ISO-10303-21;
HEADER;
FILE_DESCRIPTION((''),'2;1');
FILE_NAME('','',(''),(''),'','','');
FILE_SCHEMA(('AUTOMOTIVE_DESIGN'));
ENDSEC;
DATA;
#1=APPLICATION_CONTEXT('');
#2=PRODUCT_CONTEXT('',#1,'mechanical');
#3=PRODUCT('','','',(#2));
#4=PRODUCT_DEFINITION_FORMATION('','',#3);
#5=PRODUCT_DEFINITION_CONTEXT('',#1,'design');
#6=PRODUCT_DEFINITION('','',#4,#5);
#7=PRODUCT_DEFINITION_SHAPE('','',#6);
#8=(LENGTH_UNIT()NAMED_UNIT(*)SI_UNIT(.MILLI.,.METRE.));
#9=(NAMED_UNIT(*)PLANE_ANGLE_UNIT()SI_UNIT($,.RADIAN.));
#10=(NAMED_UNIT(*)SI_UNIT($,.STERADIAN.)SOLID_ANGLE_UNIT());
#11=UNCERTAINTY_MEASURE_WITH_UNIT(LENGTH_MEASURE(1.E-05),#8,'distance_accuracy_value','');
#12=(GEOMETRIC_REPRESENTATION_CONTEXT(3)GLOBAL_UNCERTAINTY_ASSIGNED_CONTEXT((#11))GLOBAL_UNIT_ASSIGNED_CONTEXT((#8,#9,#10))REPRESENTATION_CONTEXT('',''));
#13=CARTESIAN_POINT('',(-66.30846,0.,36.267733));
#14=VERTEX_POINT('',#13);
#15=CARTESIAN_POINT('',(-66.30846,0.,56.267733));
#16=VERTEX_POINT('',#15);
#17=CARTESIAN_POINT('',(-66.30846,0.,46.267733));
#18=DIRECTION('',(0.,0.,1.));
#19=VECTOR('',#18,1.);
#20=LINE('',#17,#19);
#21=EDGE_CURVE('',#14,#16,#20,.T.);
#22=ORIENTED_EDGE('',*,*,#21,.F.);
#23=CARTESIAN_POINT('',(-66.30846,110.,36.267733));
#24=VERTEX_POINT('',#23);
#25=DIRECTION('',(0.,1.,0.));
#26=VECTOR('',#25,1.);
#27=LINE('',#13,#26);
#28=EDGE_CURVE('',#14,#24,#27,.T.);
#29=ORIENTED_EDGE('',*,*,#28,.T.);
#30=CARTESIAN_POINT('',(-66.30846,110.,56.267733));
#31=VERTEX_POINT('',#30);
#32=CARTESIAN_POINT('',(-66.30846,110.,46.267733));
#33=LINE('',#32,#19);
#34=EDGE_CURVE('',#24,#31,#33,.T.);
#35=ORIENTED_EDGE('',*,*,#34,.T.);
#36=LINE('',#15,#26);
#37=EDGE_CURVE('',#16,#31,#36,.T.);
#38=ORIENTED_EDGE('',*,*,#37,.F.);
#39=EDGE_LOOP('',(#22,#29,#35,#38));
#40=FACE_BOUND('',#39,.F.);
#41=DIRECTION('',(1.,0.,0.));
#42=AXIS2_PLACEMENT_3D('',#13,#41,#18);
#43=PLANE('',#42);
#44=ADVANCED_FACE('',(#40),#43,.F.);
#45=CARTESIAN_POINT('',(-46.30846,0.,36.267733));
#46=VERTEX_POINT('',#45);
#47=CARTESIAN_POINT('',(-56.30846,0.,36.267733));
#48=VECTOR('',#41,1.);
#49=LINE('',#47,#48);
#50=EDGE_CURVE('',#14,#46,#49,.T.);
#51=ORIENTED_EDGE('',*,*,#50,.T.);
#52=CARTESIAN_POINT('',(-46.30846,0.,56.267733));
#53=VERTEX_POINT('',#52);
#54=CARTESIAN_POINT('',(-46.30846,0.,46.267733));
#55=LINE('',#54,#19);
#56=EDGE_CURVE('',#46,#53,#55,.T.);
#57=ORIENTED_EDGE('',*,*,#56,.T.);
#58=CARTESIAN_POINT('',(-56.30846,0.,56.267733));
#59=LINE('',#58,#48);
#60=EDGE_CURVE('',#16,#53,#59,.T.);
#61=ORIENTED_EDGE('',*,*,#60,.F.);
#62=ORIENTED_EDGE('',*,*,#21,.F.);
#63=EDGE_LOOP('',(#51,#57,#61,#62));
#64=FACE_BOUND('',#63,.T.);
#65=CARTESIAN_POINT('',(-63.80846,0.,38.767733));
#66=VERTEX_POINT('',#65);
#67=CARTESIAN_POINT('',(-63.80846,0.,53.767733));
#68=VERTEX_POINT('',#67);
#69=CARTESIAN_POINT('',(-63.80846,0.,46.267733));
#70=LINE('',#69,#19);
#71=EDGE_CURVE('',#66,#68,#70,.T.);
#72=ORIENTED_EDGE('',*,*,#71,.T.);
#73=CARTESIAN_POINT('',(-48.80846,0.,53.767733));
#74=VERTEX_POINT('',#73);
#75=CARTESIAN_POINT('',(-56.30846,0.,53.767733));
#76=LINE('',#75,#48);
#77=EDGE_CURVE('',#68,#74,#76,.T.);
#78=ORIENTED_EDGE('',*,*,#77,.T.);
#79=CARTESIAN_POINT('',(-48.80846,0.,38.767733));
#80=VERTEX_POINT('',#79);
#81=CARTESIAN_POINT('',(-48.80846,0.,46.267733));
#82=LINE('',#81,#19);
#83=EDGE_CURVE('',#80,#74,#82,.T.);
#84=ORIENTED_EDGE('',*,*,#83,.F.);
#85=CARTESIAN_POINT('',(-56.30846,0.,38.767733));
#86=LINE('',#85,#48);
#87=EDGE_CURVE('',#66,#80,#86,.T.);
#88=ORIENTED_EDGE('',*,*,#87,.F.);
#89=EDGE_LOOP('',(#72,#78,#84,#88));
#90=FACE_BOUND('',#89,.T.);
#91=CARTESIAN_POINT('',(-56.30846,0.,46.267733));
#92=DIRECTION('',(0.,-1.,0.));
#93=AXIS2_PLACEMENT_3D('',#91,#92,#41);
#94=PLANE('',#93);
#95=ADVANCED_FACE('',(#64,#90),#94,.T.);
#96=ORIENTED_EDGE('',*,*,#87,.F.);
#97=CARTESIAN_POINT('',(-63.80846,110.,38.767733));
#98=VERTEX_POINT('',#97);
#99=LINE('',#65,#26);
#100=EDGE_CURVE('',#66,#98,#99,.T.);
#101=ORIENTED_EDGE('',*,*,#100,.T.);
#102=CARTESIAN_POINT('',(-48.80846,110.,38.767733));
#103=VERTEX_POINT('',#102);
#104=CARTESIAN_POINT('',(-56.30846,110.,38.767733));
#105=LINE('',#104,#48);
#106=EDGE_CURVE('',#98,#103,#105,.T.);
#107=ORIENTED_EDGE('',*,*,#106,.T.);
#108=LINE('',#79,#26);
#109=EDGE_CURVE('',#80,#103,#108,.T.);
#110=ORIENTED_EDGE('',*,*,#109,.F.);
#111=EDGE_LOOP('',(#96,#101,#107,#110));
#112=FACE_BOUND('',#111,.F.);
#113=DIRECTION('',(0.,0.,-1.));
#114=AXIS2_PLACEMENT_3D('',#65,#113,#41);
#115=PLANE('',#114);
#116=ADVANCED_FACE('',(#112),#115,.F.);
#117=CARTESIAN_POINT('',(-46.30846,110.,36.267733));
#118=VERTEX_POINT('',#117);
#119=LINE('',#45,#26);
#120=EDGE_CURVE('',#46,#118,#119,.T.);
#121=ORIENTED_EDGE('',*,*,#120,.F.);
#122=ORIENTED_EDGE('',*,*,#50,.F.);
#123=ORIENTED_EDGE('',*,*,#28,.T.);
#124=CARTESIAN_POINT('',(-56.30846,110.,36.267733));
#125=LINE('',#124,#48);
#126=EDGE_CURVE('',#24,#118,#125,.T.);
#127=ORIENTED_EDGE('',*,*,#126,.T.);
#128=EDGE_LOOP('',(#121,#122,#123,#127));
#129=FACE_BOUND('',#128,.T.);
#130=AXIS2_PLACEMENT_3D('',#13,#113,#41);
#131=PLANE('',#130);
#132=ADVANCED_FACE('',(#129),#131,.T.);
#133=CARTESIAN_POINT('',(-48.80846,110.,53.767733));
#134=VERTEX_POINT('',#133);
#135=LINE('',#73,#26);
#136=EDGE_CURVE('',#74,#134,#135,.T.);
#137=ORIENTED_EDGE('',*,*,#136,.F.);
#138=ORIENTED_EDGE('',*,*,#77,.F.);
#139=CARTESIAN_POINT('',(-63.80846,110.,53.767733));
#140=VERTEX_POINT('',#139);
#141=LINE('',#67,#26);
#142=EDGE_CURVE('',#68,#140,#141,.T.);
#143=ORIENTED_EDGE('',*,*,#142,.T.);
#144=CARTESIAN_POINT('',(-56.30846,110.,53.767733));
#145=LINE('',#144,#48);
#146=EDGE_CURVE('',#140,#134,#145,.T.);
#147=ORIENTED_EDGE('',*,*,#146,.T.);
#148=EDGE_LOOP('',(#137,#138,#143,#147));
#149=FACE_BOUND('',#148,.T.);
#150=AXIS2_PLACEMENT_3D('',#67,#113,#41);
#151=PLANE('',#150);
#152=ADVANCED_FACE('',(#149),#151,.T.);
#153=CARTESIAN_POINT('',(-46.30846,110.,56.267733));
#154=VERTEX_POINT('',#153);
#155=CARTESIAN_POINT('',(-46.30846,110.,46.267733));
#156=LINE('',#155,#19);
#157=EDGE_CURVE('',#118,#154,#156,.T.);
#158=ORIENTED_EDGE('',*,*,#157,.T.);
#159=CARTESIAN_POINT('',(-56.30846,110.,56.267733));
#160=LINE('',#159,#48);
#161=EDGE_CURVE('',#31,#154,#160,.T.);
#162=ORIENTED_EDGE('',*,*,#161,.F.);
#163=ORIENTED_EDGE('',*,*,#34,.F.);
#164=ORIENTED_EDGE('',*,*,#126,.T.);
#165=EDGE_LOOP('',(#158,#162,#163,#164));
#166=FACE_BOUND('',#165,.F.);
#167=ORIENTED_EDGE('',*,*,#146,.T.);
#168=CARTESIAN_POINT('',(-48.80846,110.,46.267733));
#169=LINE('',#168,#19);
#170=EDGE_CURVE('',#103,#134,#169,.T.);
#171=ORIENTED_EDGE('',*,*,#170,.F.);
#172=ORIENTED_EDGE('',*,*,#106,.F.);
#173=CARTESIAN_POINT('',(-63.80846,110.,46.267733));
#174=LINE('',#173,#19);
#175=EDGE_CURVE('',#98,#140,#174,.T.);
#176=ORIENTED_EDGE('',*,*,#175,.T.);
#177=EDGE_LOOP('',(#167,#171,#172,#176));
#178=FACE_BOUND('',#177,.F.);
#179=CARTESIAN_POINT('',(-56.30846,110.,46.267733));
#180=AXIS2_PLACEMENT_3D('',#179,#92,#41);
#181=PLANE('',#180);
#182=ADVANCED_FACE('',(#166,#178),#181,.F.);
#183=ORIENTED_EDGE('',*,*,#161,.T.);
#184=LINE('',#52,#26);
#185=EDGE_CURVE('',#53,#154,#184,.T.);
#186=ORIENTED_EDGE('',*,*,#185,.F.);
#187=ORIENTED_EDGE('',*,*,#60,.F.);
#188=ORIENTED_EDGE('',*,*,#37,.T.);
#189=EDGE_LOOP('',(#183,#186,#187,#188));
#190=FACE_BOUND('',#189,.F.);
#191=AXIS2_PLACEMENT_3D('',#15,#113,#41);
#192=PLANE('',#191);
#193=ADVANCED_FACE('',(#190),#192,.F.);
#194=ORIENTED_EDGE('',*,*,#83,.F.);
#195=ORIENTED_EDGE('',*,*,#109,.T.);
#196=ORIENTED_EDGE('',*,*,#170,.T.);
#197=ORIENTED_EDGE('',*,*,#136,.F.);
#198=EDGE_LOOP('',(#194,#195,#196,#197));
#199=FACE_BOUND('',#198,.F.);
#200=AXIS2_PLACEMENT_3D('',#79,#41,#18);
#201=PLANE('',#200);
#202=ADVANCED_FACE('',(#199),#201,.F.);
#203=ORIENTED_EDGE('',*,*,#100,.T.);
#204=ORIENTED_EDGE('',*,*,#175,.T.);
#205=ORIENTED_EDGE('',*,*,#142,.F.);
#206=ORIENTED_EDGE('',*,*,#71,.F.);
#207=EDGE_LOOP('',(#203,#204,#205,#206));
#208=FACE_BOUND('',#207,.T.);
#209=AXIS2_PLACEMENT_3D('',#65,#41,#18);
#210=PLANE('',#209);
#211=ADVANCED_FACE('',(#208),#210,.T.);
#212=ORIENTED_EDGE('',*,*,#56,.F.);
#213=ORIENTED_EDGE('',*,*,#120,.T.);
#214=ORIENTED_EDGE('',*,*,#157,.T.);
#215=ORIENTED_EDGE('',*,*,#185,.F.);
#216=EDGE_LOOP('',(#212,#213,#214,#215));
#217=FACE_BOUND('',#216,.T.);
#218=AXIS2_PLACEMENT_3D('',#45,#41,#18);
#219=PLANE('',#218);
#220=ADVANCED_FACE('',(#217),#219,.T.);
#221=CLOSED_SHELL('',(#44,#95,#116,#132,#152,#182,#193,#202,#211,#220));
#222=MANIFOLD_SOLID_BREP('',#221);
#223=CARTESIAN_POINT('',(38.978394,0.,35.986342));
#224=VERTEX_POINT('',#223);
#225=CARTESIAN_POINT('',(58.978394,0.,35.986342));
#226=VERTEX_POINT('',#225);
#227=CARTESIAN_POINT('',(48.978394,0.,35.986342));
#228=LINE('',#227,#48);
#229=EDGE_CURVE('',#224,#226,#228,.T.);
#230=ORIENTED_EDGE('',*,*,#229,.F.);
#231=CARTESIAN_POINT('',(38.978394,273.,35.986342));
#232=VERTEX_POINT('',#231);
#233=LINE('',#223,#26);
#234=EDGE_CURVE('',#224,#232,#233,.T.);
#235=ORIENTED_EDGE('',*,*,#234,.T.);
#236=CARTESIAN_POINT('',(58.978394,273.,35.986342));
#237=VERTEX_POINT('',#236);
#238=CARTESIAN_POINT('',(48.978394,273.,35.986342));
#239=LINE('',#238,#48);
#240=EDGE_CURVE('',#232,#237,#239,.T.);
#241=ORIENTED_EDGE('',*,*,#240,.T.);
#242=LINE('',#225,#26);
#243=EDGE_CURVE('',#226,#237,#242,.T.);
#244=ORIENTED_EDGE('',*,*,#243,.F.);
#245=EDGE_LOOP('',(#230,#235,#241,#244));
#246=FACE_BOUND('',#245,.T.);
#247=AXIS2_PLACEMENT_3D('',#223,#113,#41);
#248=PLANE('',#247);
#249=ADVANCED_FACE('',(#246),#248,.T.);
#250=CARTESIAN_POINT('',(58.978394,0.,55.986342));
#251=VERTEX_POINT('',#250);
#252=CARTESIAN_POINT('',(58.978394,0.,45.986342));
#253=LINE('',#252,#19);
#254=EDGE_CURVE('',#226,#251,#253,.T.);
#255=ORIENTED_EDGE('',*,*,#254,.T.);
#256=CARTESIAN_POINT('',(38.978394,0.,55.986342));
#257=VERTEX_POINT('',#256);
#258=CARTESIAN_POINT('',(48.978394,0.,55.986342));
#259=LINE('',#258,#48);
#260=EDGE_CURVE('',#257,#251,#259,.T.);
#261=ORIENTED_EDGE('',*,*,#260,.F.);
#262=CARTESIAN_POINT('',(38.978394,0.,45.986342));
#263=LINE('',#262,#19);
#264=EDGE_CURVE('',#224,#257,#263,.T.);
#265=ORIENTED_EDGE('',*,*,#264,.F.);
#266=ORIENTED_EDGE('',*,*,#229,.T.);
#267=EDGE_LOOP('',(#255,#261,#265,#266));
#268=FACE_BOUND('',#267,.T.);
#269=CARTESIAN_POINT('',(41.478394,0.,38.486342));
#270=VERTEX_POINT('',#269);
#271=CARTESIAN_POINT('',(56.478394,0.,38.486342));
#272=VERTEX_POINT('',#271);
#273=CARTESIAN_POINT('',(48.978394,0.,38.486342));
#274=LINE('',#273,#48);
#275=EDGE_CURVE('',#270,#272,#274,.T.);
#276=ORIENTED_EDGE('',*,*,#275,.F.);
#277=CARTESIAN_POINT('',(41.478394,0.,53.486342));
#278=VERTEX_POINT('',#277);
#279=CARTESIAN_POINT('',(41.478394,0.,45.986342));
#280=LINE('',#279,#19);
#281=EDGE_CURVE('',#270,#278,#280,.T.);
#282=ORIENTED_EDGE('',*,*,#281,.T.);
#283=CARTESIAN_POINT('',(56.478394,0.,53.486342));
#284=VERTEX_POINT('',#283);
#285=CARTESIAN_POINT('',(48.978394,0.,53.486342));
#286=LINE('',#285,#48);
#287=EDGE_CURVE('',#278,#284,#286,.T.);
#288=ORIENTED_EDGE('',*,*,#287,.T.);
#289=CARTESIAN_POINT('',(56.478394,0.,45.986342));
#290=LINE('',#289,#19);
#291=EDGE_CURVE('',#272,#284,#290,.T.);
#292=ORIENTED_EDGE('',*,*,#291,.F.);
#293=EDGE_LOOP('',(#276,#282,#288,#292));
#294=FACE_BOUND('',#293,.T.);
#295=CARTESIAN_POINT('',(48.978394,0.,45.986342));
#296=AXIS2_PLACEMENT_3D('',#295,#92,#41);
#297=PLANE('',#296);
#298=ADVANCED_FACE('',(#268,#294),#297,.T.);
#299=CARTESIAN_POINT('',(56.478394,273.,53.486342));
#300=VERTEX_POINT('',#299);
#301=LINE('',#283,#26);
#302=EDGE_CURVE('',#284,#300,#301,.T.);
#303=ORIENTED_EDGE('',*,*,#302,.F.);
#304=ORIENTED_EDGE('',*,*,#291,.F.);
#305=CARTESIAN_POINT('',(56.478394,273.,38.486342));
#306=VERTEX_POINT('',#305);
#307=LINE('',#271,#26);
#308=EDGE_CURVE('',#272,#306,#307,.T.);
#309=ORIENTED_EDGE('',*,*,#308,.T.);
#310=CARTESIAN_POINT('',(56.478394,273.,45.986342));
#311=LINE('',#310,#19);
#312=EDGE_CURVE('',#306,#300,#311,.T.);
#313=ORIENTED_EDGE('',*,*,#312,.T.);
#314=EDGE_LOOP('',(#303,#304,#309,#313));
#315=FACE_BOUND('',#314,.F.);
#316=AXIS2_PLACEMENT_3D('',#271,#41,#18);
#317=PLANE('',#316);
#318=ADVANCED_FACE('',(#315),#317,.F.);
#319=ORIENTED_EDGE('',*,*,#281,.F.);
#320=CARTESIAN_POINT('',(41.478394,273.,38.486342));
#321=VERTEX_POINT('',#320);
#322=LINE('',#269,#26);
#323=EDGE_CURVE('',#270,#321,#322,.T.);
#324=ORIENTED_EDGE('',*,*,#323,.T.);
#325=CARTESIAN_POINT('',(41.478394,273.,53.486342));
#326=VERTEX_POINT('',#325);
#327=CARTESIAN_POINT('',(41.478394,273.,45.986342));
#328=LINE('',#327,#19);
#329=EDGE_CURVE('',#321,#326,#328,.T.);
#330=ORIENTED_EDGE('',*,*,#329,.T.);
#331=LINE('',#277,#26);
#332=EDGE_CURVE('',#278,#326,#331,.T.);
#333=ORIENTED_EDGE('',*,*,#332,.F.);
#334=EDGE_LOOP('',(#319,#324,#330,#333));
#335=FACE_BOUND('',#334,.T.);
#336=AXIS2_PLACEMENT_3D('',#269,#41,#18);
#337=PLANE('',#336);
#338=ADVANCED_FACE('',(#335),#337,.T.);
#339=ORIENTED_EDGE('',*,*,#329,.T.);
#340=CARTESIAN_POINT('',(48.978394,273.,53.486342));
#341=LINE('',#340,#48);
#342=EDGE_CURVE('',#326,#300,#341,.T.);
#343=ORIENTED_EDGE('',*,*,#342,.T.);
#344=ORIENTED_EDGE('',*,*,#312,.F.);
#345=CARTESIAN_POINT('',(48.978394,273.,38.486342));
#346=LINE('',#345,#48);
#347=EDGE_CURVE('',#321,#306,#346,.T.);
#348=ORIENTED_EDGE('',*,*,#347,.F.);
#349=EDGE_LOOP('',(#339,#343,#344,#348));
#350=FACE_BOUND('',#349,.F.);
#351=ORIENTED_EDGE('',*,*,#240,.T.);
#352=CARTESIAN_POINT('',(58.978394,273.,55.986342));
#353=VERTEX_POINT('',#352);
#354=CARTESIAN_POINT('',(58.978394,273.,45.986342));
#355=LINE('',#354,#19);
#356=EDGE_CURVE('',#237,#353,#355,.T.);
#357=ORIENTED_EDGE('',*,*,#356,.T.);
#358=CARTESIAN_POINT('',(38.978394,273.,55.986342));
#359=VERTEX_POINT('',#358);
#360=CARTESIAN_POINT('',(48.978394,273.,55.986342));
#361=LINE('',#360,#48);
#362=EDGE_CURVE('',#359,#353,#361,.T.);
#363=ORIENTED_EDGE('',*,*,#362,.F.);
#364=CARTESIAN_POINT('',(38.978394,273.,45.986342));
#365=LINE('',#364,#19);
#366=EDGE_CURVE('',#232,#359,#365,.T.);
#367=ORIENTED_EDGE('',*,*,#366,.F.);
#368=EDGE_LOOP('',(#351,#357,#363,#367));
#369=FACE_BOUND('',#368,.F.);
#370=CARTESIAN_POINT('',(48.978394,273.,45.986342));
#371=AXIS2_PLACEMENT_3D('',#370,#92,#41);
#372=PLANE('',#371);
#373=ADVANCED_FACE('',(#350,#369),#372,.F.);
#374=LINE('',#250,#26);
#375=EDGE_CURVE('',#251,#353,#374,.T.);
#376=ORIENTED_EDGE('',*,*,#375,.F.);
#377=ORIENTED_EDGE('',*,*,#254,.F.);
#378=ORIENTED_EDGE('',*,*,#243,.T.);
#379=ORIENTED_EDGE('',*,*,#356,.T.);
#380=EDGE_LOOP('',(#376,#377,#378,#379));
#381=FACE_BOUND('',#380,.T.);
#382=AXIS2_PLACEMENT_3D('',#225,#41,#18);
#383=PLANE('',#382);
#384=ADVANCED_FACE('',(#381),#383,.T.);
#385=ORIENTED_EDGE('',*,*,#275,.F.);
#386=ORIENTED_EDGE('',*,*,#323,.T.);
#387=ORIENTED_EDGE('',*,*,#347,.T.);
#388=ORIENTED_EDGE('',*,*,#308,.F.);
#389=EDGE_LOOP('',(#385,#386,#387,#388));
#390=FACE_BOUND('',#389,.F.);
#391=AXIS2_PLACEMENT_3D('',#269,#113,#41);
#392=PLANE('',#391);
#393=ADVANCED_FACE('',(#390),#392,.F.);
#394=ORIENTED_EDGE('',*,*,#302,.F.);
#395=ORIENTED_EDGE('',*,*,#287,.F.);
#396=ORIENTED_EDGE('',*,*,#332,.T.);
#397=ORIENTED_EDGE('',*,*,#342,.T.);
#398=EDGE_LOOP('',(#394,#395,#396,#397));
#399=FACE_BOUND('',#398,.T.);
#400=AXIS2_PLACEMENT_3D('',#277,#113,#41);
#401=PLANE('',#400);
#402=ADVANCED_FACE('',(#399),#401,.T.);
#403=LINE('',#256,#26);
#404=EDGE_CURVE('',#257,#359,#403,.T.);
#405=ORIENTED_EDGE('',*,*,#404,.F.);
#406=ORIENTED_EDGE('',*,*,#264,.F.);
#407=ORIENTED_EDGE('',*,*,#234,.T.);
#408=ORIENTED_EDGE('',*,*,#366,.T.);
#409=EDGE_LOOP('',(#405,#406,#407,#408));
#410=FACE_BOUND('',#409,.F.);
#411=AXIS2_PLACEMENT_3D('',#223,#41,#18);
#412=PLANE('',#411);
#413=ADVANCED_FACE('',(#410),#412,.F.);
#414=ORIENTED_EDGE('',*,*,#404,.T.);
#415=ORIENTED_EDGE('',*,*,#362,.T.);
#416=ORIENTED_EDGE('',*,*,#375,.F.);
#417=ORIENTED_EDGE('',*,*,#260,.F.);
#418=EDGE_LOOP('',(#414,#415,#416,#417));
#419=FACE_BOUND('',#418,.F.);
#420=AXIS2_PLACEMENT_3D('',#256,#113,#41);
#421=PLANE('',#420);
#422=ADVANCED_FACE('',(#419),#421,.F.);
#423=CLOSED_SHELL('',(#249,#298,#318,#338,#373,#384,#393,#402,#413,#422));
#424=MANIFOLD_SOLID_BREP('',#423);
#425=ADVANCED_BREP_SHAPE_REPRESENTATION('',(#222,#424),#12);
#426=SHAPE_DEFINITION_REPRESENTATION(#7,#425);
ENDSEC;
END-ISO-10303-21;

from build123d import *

# Parameters (mm, degrees)
F0_W     = 20
F0_H     = 20
F0_W_2   = 15
F0_H_2   = 15
F1_DEPTH = 110
F2_W     = 20
F2_H     = 20
F2_W_2   = 15
F2_H_2   = 15
F3_DEPTH = 273


with BuildPart() as f1:
    # F0 (on Front) → F1 (new body)
    with BuildSketch(Plane.XZ):
        with Locations((-56.30846, 46.267733)):
            Rectangle(F0_W, F0_H)
        with Locations((-56.30846, 46.267733)):
            Rectangle(F0_W_2, F0_H_2, mode=Mode.SUBTRACT)
    extrude(amount=-F1_DEPTH)


with BuildPart() as f3:
    # F2 (on Front) → F3 (new body)
    with BuildSketch(Plane.XZ):
        with Locations((48.978394, 45.986342)):
            Rectangle(F2_W, F2_H)
        with Locations((48.978394, 45.986342)):
            Rectangle(F2_W_2, F2_H_2, mode=Mode.SUBTRACT)
    extrude(amount=-F3_DEPTH)


solid = Compound([f1.part, f3.part])
